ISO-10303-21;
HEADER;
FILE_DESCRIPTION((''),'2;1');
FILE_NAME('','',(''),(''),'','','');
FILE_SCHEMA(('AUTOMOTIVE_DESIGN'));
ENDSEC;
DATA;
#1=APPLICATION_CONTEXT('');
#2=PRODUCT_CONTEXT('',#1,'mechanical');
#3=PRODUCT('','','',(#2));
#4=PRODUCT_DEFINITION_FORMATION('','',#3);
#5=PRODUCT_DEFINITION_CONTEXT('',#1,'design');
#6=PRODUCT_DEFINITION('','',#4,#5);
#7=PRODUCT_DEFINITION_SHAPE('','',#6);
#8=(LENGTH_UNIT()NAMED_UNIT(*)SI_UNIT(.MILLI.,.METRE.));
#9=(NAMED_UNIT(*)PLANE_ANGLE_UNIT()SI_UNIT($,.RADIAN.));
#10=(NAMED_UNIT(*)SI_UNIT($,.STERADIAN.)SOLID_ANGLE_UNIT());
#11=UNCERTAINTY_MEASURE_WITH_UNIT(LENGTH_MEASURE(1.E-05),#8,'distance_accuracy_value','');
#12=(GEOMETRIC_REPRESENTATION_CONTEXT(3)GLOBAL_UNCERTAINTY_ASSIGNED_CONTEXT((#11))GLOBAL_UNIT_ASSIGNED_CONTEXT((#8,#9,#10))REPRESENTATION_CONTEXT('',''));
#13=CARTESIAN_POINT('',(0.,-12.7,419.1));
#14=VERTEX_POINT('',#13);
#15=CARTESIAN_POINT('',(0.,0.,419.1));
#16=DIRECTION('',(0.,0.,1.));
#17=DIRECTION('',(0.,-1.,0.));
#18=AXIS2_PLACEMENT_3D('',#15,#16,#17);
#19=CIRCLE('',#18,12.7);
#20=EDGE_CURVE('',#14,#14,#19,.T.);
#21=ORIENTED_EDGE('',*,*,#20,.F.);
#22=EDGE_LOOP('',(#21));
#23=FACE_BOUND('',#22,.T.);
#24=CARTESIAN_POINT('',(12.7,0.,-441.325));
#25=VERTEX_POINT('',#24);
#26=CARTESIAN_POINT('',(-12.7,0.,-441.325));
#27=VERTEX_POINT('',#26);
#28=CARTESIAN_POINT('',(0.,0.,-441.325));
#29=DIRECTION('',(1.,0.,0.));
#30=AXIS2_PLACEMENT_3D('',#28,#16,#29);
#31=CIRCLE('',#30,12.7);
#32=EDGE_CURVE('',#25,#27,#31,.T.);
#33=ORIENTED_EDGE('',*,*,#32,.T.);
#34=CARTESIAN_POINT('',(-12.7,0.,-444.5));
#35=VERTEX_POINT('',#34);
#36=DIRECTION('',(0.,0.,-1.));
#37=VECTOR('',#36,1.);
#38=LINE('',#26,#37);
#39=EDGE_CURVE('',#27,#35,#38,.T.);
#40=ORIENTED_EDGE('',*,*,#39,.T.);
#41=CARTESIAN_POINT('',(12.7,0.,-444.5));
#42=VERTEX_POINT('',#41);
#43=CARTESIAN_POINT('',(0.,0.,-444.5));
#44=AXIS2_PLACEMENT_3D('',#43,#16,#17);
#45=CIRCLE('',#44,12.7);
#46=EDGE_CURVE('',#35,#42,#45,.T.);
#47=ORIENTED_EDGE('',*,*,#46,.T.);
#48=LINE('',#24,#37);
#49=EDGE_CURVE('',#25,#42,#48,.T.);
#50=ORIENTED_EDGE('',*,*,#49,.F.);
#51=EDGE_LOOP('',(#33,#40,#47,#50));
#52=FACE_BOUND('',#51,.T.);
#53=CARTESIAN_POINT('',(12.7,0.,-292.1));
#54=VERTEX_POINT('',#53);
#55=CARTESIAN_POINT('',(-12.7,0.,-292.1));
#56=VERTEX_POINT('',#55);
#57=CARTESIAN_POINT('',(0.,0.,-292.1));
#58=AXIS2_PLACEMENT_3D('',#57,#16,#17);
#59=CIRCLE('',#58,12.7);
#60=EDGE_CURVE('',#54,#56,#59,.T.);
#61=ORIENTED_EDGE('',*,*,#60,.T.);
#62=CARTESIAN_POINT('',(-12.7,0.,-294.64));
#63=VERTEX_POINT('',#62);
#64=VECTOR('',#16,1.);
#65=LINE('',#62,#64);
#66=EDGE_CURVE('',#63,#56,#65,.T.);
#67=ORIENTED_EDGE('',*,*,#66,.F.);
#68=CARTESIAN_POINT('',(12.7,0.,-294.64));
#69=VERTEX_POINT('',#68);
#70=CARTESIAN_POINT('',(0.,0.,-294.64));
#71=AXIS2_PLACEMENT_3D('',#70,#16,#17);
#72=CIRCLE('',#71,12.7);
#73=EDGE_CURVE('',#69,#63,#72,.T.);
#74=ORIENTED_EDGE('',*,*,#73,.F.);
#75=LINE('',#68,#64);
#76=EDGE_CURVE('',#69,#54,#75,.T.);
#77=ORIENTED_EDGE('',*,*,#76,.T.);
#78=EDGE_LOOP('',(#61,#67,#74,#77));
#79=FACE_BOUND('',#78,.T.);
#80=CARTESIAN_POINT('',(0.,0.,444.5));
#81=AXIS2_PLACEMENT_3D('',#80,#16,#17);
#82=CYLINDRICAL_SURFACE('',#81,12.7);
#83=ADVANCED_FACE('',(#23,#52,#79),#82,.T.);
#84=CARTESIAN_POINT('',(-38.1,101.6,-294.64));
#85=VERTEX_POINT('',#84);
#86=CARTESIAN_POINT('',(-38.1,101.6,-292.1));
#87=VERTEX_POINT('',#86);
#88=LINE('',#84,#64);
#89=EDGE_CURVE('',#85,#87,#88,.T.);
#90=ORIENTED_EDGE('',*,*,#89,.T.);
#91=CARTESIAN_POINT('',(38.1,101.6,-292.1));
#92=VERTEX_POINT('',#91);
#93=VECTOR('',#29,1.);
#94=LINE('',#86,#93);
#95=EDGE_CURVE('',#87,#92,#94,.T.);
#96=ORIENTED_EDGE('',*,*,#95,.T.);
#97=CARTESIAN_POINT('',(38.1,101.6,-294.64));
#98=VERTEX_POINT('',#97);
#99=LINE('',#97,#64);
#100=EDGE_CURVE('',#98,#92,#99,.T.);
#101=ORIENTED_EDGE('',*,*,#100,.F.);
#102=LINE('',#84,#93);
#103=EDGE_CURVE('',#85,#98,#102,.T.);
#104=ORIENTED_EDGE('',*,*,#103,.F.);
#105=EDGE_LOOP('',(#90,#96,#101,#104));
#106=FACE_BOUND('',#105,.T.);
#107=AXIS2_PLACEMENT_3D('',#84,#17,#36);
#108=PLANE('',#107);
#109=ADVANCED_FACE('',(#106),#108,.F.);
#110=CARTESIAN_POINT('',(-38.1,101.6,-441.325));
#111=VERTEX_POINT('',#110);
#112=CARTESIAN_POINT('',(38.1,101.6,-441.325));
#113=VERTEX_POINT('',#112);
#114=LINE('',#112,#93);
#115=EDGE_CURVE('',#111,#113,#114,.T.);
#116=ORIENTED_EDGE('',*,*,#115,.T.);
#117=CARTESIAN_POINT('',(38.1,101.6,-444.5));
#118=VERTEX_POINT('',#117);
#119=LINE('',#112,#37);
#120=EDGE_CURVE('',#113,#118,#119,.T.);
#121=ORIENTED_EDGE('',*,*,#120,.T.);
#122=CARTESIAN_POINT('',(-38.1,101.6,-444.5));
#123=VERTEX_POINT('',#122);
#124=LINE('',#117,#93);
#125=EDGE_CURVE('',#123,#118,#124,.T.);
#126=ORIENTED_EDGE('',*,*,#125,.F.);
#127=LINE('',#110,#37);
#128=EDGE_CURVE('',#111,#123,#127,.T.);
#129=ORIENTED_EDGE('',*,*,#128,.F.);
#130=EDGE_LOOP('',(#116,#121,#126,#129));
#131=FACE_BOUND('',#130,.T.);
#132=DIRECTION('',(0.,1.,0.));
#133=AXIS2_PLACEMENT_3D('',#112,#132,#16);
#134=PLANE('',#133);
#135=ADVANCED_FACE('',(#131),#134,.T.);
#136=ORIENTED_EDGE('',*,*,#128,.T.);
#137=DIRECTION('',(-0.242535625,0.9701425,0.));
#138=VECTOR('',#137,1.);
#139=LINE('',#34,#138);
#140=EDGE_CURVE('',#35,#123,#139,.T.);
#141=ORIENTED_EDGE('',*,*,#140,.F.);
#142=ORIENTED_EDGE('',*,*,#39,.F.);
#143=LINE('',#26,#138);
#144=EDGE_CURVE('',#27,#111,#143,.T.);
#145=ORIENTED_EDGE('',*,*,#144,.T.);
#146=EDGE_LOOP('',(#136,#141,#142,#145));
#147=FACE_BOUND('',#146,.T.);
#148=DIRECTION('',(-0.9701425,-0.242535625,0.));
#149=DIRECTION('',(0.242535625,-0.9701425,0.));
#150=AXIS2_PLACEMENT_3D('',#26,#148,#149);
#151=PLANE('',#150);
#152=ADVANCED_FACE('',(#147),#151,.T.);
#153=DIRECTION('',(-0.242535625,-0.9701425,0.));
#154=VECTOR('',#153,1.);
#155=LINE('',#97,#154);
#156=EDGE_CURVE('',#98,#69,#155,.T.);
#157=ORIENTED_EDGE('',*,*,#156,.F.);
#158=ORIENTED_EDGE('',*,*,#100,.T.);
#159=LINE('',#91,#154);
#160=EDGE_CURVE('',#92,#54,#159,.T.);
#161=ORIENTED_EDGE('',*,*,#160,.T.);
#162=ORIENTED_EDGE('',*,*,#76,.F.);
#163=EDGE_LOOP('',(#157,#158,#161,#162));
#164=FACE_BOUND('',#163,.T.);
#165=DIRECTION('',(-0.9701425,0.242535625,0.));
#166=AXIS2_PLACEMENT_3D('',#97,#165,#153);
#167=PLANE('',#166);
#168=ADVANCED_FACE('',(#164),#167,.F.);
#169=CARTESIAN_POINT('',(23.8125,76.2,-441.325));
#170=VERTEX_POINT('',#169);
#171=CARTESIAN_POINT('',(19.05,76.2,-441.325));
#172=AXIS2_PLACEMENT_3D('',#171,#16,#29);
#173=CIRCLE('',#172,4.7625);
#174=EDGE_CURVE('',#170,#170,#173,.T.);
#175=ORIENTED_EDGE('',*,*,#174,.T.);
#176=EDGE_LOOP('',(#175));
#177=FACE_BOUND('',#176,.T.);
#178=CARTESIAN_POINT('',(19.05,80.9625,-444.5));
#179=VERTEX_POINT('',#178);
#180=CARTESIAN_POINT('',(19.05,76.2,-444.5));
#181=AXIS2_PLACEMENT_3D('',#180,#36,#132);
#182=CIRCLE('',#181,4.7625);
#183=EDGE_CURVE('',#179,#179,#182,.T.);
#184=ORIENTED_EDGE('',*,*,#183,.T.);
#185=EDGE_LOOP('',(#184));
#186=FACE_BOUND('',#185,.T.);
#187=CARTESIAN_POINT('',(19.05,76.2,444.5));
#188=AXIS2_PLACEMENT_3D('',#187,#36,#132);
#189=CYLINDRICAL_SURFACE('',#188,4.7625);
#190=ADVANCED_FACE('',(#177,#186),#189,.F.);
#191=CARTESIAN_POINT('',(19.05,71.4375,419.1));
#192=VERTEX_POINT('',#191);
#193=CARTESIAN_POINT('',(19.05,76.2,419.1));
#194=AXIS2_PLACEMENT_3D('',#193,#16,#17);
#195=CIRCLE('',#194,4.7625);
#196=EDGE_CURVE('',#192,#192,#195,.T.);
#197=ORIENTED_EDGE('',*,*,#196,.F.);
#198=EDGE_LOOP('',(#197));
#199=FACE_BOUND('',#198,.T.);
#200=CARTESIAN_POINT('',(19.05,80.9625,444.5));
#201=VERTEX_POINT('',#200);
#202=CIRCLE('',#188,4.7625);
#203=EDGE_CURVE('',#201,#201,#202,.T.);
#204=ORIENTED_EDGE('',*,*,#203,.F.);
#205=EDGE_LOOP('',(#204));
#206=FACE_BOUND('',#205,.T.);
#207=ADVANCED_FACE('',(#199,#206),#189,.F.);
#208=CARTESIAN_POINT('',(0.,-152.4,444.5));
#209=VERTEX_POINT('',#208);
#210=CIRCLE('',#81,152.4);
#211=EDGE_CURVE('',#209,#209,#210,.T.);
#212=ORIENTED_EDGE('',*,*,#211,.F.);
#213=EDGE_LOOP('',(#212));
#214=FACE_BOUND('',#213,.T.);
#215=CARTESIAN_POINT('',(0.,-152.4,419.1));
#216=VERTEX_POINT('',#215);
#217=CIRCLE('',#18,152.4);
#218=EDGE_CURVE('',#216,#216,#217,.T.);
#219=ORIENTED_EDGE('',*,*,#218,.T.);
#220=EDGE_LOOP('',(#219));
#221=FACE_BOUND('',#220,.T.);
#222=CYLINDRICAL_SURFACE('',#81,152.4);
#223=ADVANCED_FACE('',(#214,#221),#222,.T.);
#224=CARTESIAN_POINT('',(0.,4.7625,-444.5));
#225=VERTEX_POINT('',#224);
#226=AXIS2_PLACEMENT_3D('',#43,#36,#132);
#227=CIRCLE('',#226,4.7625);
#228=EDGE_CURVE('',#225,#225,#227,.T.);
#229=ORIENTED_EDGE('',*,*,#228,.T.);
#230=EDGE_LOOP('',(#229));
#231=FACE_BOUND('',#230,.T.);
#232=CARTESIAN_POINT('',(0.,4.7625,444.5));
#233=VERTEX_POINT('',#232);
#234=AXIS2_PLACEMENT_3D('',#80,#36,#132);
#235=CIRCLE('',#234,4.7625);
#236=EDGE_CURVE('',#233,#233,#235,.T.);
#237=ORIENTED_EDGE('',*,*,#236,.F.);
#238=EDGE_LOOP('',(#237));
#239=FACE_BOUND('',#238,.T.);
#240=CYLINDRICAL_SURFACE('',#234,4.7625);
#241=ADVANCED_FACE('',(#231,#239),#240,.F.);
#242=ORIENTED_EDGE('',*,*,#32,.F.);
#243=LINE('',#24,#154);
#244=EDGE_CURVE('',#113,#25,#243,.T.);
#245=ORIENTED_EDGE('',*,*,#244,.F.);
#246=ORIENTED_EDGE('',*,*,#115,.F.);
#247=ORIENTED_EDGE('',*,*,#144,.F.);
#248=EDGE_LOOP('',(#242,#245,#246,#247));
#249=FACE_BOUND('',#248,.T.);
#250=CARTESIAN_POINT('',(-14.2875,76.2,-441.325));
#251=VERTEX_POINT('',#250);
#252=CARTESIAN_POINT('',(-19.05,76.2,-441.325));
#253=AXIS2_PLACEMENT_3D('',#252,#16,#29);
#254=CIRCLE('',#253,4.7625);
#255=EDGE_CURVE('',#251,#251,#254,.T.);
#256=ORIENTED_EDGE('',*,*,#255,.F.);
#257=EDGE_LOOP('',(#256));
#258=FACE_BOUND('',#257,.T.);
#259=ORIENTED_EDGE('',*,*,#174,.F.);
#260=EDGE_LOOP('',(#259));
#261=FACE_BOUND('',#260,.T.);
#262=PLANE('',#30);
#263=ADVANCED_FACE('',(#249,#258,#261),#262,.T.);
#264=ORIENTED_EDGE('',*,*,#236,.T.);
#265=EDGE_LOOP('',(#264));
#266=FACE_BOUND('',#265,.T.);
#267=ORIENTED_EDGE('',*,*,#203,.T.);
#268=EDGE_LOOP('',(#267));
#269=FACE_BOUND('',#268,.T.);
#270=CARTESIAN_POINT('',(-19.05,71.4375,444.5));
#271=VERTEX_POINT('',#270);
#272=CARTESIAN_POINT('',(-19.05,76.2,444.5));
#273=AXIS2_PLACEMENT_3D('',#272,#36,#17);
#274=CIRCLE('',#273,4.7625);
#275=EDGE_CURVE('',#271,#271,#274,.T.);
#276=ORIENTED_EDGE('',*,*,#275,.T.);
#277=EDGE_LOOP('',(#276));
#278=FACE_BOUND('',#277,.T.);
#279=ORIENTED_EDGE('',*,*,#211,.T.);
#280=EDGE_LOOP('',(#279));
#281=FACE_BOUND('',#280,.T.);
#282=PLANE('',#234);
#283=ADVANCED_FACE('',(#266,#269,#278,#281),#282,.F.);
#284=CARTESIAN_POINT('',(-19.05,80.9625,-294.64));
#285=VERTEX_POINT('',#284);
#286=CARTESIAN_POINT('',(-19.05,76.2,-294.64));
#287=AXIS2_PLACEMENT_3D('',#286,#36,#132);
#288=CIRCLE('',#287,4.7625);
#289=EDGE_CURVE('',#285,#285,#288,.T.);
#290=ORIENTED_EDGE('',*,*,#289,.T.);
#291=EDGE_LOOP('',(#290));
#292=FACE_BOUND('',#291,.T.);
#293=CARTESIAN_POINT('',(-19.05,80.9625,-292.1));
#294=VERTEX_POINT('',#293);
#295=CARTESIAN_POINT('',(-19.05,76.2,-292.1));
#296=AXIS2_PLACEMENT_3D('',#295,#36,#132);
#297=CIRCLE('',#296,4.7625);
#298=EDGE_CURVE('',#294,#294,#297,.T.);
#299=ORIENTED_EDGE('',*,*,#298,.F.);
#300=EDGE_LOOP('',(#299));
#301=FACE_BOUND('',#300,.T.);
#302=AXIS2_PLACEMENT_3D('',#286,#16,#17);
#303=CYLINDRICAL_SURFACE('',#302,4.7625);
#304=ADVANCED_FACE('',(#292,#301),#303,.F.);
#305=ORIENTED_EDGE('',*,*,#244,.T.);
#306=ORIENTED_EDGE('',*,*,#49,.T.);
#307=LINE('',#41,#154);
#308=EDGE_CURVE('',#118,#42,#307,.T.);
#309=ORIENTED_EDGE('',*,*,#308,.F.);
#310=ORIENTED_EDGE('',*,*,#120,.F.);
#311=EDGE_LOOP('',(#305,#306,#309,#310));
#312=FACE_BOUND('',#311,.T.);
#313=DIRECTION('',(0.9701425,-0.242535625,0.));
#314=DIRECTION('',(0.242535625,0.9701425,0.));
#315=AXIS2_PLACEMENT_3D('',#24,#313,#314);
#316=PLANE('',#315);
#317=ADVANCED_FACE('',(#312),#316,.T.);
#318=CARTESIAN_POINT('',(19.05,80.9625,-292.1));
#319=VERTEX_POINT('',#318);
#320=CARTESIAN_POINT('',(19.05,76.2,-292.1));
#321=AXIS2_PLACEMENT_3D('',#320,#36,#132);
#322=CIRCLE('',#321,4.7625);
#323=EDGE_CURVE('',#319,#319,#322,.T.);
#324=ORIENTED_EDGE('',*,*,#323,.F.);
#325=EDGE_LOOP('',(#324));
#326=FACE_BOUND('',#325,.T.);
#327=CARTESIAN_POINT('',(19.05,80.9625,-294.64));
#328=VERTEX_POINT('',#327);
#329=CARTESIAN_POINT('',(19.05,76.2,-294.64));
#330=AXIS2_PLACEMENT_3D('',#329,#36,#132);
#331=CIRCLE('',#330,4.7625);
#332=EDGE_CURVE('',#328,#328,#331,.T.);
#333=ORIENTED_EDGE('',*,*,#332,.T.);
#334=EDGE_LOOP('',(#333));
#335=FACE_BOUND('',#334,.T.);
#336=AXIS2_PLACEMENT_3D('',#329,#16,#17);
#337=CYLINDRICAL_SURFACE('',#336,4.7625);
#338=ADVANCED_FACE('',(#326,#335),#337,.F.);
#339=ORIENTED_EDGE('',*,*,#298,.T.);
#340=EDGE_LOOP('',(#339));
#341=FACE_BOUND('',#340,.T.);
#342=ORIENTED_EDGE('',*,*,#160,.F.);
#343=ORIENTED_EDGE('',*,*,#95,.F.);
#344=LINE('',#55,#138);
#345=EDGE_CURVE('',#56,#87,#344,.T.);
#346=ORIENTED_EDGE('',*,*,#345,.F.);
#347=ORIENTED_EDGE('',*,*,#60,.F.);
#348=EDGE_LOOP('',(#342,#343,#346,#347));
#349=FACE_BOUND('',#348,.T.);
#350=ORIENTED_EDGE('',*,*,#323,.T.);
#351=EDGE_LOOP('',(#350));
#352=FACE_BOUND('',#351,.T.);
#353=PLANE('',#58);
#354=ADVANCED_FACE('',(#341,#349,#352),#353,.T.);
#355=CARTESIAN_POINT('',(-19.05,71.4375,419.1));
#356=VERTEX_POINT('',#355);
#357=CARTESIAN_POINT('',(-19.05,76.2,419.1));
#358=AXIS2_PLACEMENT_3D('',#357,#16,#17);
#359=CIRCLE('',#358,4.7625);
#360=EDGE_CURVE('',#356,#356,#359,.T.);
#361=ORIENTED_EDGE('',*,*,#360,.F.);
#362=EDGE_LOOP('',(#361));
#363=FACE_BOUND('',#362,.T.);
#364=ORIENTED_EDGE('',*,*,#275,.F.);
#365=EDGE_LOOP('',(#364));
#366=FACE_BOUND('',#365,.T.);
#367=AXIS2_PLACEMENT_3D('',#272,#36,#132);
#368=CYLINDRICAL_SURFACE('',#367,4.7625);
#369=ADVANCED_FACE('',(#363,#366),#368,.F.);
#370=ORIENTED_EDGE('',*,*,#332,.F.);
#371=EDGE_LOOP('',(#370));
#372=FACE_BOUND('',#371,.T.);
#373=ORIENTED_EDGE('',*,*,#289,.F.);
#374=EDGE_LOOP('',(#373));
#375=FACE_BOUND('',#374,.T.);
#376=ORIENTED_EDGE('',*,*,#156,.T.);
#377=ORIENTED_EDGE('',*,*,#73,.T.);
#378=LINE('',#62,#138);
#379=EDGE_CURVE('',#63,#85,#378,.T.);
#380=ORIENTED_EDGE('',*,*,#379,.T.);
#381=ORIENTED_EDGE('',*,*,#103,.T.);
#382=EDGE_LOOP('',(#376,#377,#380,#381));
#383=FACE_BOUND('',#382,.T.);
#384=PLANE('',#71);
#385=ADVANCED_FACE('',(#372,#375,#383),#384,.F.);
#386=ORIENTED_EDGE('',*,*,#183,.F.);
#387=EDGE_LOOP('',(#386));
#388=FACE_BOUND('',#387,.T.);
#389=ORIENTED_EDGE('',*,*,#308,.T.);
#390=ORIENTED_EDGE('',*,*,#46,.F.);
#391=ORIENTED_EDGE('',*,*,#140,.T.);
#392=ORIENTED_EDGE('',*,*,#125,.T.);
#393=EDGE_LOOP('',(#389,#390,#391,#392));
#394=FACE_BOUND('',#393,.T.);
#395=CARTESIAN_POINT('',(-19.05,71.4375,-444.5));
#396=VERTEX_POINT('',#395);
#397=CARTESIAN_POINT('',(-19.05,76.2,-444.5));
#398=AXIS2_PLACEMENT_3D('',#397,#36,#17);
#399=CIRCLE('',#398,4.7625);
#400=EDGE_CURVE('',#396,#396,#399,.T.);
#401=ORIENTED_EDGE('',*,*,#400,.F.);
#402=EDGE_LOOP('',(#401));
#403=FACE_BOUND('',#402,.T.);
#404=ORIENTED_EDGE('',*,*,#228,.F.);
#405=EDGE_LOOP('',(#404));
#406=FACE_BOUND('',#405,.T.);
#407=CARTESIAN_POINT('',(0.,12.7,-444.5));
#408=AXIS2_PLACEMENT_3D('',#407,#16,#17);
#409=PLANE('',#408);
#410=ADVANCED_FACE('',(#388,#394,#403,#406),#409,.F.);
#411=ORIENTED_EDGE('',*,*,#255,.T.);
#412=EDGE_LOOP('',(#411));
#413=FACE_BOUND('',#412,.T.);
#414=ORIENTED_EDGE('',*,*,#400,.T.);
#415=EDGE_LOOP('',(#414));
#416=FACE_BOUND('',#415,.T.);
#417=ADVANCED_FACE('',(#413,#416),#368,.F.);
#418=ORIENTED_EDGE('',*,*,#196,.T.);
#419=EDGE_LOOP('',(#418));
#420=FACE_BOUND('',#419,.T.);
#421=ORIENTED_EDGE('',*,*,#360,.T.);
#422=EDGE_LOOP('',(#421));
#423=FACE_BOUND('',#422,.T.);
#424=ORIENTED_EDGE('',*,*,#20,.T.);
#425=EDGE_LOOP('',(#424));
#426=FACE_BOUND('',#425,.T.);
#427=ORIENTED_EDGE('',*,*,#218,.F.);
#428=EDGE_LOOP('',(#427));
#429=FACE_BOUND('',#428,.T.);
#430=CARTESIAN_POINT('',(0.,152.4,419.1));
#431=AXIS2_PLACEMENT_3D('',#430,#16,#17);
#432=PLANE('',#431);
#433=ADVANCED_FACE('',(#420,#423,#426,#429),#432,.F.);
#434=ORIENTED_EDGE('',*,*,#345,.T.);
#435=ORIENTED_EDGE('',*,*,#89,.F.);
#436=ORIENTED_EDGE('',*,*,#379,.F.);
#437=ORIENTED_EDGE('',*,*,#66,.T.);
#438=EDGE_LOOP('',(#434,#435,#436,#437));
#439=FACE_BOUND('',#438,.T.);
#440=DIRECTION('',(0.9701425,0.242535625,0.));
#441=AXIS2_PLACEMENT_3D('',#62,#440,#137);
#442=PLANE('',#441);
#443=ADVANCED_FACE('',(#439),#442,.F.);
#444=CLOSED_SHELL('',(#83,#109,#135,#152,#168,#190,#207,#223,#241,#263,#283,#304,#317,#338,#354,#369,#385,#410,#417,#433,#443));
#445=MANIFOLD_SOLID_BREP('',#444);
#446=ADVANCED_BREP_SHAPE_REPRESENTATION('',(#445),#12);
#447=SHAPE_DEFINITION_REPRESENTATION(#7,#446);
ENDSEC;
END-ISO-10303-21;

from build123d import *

# Parameters (mm, degrees)
END_TAB_1_DEPTH     = 3.175
SKETCH4_R           = 4.7625
END_TAB_1_CUT_DEPTH = 890
SKETCH5_R           = 4.7625
BOSS_EXTRUDE1_DEPTH = 2.54


with BuildPart() as part:
    # Sketch1 → OAL Revolve (revolve)
    with BuildSketch(Plane(origin=(0, 0, 0), x_dir=(0, 0, -1), z_dir=(1, 0, 0))):
        Polygon((-444.5, 0), (444.5, 0), (444.5, 12.7), (-419.1, 12.7), (-419.1, 152.4), (-444.5, 152.4), align=None)
    revolve(axis=Axis((0, 0, 444.5), (0, 0, -1)))

    # Sketch3 → End Tab 1 (add)
    with BuildSketch(Plane(origin=(0, 0, -444.5), x_dir=(-1, 0, 0), z_dir=(0, 0, -1))):
        Polygon((12.7, 0), (-12.7, 0), (-38.1, 101.6), (38.1, 101.6), align=None)
    extrude(amount=-END_TAB_1_DEPTH)

    # Sketch4 → End Tab 1 Cut (cut, through all)
    with BuildSketch(Plane(origin=(0, 0, -444.5), x_dir=(-1, 0, 0), z_dir=(0, 0, -1))):
        with Locations((-19.05, 76.2)):
            Circle(SKETCH4_R)
        with Locations((19.05, 76.2)):
            Circle(SKETCH4_R)
        Circle(SKETCH4_R)
    extrude(amount=-END_TAB_1_CUT_DEPTH, mode=Mode.SUBTRACT)

    # Sketch5 → Boss-Extrude1 (add)
    with BuildSketch(Plane(origin=(0, 0, -292.1), x_dir=(-1, 0, 0), z_dir=(0, 0, -1))):
        with BuildLine():
            Line((12.7, 0), (38.1, 101.6))
            Line((38.1, 101.6), (-38.1, 101.6))
            Line((-38.1, 101.6), (-12.7, 0))
            ThreePointArc((-12.7, 0), (0, 12.7), (12.7, 0))
        make_face()
        with Locations((19.05, 76.2)):
            Circle(SKETCH5_R, mode=Mode.SUBTRACT)
        with Locations((-19.05, 76.2)):
            Circle(SKETCH5_R, mode=Mode.SUBTRACT)
    extrude(amount=BOSS_EXTRUDE1_DEPTH)


solid = part.part
